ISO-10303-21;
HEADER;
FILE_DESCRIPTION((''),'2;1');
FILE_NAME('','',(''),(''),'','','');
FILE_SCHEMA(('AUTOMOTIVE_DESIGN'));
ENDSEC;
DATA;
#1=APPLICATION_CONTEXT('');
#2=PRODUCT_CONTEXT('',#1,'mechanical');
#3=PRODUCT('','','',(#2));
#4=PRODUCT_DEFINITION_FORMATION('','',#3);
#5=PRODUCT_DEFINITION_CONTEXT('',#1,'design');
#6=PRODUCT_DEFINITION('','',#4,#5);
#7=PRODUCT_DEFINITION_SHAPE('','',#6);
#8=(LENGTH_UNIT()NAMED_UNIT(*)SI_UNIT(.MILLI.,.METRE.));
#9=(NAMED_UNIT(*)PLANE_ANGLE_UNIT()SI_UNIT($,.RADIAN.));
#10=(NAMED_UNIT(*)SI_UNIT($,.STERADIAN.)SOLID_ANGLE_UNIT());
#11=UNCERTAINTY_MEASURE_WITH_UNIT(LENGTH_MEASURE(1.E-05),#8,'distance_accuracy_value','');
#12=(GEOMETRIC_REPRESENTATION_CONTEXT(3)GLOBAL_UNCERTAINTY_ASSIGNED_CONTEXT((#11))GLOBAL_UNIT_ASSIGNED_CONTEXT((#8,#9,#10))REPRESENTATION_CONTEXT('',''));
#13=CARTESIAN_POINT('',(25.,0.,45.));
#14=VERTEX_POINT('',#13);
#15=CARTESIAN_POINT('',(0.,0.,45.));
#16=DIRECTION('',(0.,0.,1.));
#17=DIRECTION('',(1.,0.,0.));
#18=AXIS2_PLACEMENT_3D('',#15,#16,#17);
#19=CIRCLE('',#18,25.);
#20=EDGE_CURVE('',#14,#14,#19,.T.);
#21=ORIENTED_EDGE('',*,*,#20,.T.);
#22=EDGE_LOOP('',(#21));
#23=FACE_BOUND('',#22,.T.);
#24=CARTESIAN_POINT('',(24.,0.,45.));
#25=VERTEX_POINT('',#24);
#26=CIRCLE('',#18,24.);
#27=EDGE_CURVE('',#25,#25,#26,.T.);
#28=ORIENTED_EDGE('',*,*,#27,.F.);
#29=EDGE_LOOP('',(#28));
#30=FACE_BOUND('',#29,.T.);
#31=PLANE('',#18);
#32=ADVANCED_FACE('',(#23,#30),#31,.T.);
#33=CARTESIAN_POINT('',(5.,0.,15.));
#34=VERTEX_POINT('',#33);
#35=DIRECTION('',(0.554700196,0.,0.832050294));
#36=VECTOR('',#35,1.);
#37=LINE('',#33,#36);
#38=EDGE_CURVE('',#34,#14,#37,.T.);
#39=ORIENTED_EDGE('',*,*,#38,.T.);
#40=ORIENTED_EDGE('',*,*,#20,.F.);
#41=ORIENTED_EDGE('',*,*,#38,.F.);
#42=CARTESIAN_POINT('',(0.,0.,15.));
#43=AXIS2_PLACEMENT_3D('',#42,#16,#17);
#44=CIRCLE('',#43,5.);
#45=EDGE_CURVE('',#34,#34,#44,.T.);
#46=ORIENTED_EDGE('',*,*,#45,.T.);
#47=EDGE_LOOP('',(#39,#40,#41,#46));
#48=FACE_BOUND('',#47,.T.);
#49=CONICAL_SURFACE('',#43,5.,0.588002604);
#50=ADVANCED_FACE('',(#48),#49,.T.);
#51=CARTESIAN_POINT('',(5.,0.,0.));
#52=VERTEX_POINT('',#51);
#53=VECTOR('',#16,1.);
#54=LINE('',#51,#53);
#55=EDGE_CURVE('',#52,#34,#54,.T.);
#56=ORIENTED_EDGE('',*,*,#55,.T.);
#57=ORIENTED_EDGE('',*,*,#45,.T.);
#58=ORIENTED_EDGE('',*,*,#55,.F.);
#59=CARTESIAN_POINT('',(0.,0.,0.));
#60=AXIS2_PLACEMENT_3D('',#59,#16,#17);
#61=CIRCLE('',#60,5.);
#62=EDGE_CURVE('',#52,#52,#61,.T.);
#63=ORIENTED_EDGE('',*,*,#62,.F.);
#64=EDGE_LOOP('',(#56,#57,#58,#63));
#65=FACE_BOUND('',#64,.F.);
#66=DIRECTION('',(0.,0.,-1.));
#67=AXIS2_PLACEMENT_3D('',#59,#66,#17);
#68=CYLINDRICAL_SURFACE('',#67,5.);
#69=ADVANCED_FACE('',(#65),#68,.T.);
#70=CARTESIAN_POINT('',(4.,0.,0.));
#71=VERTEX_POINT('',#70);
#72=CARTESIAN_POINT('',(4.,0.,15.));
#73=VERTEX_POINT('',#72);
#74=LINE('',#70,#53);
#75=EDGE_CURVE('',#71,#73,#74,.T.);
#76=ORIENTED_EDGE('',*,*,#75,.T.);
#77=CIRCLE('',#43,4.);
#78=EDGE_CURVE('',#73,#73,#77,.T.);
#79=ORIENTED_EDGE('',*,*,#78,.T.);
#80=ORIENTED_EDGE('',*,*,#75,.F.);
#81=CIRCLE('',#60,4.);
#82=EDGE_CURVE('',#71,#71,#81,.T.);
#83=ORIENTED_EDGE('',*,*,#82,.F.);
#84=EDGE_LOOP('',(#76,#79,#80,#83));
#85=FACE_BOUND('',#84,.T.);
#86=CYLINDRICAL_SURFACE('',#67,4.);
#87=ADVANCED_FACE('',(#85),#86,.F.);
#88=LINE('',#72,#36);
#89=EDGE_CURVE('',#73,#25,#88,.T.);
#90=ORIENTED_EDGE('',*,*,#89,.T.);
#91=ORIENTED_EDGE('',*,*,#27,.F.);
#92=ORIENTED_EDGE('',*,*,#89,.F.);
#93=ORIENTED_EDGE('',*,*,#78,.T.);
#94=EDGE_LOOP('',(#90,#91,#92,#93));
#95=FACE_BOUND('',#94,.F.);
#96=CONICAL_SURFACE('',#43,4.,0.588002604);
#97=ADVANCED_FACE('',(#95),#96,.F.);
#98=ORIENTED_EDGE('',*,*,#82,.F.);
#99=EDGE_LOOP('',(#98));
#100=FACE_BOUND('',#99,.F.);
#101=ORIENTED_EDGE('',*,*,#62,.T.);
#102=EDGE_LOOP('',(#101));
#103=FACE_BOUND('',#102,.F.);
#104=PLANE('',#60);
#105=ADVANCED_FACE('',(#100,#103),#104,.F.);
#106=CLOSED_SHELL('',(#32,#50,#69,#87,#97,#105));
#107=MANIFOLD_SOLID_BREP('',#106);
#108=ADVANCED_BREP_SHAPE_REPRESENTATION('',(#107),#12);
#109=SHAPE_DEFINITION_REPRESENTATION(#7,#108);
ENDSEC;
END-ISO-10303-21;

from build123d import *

# Parameters (mm, degrees)
CYLINDER001_R     = 4
CYLINDER001_DEPTH = 15
CYLINDER_R        = 5
CYLINDER_DEPTH    = 15


with BuildPart() as con001:
    # Cone001 → Cone001 (revolve)
    with BuildSketch(Plane(origin=(0, 0, 15), x_dir=(1, 0, 0), z_dir=(0, -1, 0))):
        Polygon((0, 0), (4, 0), (24, 30), (0, 30), align=None)
    revolve(axis=Axis((0, 0, 15), (0, 0, 1)))


with BuildPart() as cut001:
    # Cone → Cone (revolve)
    with BuildSketch(Plane(origin=(0, 0, 15), x_dir=(1, 0, 0), z_dir=(0, -1, 0))):
        Polygon((0, 0), (5, 0), (25, 30), (0, 30), align=None)
    revolve(axis=Axis((0, 0, 15), (0, 0, 1)))

    # Cut001: cut Con001
    add(con001.part, mode=Mode.SUBTRACT)


with BuildPart() as cilindre001:
    # Cylinder001 → Cylinder001 (new body)
    with BuildSketch(Plane.XY):
        Circle(CYLINDER001_R)
    extrude(amount=CYLINDER001_DEPTH)


with BuildPart() as fusion:
    # Cylinder → Cylinder (new body)
    with BuildSketch(Plane.XY):
        Circle(CYLINDER_R)
    extrude(amount=CYLINDER_DEPTH)

    # Cut: cut Cilindre001
    add(cilindre001.part, mode=Mode.SUBTRACT)

    # Fusion: union Cut001
    add(cut001.part)


solid = fusion.part
